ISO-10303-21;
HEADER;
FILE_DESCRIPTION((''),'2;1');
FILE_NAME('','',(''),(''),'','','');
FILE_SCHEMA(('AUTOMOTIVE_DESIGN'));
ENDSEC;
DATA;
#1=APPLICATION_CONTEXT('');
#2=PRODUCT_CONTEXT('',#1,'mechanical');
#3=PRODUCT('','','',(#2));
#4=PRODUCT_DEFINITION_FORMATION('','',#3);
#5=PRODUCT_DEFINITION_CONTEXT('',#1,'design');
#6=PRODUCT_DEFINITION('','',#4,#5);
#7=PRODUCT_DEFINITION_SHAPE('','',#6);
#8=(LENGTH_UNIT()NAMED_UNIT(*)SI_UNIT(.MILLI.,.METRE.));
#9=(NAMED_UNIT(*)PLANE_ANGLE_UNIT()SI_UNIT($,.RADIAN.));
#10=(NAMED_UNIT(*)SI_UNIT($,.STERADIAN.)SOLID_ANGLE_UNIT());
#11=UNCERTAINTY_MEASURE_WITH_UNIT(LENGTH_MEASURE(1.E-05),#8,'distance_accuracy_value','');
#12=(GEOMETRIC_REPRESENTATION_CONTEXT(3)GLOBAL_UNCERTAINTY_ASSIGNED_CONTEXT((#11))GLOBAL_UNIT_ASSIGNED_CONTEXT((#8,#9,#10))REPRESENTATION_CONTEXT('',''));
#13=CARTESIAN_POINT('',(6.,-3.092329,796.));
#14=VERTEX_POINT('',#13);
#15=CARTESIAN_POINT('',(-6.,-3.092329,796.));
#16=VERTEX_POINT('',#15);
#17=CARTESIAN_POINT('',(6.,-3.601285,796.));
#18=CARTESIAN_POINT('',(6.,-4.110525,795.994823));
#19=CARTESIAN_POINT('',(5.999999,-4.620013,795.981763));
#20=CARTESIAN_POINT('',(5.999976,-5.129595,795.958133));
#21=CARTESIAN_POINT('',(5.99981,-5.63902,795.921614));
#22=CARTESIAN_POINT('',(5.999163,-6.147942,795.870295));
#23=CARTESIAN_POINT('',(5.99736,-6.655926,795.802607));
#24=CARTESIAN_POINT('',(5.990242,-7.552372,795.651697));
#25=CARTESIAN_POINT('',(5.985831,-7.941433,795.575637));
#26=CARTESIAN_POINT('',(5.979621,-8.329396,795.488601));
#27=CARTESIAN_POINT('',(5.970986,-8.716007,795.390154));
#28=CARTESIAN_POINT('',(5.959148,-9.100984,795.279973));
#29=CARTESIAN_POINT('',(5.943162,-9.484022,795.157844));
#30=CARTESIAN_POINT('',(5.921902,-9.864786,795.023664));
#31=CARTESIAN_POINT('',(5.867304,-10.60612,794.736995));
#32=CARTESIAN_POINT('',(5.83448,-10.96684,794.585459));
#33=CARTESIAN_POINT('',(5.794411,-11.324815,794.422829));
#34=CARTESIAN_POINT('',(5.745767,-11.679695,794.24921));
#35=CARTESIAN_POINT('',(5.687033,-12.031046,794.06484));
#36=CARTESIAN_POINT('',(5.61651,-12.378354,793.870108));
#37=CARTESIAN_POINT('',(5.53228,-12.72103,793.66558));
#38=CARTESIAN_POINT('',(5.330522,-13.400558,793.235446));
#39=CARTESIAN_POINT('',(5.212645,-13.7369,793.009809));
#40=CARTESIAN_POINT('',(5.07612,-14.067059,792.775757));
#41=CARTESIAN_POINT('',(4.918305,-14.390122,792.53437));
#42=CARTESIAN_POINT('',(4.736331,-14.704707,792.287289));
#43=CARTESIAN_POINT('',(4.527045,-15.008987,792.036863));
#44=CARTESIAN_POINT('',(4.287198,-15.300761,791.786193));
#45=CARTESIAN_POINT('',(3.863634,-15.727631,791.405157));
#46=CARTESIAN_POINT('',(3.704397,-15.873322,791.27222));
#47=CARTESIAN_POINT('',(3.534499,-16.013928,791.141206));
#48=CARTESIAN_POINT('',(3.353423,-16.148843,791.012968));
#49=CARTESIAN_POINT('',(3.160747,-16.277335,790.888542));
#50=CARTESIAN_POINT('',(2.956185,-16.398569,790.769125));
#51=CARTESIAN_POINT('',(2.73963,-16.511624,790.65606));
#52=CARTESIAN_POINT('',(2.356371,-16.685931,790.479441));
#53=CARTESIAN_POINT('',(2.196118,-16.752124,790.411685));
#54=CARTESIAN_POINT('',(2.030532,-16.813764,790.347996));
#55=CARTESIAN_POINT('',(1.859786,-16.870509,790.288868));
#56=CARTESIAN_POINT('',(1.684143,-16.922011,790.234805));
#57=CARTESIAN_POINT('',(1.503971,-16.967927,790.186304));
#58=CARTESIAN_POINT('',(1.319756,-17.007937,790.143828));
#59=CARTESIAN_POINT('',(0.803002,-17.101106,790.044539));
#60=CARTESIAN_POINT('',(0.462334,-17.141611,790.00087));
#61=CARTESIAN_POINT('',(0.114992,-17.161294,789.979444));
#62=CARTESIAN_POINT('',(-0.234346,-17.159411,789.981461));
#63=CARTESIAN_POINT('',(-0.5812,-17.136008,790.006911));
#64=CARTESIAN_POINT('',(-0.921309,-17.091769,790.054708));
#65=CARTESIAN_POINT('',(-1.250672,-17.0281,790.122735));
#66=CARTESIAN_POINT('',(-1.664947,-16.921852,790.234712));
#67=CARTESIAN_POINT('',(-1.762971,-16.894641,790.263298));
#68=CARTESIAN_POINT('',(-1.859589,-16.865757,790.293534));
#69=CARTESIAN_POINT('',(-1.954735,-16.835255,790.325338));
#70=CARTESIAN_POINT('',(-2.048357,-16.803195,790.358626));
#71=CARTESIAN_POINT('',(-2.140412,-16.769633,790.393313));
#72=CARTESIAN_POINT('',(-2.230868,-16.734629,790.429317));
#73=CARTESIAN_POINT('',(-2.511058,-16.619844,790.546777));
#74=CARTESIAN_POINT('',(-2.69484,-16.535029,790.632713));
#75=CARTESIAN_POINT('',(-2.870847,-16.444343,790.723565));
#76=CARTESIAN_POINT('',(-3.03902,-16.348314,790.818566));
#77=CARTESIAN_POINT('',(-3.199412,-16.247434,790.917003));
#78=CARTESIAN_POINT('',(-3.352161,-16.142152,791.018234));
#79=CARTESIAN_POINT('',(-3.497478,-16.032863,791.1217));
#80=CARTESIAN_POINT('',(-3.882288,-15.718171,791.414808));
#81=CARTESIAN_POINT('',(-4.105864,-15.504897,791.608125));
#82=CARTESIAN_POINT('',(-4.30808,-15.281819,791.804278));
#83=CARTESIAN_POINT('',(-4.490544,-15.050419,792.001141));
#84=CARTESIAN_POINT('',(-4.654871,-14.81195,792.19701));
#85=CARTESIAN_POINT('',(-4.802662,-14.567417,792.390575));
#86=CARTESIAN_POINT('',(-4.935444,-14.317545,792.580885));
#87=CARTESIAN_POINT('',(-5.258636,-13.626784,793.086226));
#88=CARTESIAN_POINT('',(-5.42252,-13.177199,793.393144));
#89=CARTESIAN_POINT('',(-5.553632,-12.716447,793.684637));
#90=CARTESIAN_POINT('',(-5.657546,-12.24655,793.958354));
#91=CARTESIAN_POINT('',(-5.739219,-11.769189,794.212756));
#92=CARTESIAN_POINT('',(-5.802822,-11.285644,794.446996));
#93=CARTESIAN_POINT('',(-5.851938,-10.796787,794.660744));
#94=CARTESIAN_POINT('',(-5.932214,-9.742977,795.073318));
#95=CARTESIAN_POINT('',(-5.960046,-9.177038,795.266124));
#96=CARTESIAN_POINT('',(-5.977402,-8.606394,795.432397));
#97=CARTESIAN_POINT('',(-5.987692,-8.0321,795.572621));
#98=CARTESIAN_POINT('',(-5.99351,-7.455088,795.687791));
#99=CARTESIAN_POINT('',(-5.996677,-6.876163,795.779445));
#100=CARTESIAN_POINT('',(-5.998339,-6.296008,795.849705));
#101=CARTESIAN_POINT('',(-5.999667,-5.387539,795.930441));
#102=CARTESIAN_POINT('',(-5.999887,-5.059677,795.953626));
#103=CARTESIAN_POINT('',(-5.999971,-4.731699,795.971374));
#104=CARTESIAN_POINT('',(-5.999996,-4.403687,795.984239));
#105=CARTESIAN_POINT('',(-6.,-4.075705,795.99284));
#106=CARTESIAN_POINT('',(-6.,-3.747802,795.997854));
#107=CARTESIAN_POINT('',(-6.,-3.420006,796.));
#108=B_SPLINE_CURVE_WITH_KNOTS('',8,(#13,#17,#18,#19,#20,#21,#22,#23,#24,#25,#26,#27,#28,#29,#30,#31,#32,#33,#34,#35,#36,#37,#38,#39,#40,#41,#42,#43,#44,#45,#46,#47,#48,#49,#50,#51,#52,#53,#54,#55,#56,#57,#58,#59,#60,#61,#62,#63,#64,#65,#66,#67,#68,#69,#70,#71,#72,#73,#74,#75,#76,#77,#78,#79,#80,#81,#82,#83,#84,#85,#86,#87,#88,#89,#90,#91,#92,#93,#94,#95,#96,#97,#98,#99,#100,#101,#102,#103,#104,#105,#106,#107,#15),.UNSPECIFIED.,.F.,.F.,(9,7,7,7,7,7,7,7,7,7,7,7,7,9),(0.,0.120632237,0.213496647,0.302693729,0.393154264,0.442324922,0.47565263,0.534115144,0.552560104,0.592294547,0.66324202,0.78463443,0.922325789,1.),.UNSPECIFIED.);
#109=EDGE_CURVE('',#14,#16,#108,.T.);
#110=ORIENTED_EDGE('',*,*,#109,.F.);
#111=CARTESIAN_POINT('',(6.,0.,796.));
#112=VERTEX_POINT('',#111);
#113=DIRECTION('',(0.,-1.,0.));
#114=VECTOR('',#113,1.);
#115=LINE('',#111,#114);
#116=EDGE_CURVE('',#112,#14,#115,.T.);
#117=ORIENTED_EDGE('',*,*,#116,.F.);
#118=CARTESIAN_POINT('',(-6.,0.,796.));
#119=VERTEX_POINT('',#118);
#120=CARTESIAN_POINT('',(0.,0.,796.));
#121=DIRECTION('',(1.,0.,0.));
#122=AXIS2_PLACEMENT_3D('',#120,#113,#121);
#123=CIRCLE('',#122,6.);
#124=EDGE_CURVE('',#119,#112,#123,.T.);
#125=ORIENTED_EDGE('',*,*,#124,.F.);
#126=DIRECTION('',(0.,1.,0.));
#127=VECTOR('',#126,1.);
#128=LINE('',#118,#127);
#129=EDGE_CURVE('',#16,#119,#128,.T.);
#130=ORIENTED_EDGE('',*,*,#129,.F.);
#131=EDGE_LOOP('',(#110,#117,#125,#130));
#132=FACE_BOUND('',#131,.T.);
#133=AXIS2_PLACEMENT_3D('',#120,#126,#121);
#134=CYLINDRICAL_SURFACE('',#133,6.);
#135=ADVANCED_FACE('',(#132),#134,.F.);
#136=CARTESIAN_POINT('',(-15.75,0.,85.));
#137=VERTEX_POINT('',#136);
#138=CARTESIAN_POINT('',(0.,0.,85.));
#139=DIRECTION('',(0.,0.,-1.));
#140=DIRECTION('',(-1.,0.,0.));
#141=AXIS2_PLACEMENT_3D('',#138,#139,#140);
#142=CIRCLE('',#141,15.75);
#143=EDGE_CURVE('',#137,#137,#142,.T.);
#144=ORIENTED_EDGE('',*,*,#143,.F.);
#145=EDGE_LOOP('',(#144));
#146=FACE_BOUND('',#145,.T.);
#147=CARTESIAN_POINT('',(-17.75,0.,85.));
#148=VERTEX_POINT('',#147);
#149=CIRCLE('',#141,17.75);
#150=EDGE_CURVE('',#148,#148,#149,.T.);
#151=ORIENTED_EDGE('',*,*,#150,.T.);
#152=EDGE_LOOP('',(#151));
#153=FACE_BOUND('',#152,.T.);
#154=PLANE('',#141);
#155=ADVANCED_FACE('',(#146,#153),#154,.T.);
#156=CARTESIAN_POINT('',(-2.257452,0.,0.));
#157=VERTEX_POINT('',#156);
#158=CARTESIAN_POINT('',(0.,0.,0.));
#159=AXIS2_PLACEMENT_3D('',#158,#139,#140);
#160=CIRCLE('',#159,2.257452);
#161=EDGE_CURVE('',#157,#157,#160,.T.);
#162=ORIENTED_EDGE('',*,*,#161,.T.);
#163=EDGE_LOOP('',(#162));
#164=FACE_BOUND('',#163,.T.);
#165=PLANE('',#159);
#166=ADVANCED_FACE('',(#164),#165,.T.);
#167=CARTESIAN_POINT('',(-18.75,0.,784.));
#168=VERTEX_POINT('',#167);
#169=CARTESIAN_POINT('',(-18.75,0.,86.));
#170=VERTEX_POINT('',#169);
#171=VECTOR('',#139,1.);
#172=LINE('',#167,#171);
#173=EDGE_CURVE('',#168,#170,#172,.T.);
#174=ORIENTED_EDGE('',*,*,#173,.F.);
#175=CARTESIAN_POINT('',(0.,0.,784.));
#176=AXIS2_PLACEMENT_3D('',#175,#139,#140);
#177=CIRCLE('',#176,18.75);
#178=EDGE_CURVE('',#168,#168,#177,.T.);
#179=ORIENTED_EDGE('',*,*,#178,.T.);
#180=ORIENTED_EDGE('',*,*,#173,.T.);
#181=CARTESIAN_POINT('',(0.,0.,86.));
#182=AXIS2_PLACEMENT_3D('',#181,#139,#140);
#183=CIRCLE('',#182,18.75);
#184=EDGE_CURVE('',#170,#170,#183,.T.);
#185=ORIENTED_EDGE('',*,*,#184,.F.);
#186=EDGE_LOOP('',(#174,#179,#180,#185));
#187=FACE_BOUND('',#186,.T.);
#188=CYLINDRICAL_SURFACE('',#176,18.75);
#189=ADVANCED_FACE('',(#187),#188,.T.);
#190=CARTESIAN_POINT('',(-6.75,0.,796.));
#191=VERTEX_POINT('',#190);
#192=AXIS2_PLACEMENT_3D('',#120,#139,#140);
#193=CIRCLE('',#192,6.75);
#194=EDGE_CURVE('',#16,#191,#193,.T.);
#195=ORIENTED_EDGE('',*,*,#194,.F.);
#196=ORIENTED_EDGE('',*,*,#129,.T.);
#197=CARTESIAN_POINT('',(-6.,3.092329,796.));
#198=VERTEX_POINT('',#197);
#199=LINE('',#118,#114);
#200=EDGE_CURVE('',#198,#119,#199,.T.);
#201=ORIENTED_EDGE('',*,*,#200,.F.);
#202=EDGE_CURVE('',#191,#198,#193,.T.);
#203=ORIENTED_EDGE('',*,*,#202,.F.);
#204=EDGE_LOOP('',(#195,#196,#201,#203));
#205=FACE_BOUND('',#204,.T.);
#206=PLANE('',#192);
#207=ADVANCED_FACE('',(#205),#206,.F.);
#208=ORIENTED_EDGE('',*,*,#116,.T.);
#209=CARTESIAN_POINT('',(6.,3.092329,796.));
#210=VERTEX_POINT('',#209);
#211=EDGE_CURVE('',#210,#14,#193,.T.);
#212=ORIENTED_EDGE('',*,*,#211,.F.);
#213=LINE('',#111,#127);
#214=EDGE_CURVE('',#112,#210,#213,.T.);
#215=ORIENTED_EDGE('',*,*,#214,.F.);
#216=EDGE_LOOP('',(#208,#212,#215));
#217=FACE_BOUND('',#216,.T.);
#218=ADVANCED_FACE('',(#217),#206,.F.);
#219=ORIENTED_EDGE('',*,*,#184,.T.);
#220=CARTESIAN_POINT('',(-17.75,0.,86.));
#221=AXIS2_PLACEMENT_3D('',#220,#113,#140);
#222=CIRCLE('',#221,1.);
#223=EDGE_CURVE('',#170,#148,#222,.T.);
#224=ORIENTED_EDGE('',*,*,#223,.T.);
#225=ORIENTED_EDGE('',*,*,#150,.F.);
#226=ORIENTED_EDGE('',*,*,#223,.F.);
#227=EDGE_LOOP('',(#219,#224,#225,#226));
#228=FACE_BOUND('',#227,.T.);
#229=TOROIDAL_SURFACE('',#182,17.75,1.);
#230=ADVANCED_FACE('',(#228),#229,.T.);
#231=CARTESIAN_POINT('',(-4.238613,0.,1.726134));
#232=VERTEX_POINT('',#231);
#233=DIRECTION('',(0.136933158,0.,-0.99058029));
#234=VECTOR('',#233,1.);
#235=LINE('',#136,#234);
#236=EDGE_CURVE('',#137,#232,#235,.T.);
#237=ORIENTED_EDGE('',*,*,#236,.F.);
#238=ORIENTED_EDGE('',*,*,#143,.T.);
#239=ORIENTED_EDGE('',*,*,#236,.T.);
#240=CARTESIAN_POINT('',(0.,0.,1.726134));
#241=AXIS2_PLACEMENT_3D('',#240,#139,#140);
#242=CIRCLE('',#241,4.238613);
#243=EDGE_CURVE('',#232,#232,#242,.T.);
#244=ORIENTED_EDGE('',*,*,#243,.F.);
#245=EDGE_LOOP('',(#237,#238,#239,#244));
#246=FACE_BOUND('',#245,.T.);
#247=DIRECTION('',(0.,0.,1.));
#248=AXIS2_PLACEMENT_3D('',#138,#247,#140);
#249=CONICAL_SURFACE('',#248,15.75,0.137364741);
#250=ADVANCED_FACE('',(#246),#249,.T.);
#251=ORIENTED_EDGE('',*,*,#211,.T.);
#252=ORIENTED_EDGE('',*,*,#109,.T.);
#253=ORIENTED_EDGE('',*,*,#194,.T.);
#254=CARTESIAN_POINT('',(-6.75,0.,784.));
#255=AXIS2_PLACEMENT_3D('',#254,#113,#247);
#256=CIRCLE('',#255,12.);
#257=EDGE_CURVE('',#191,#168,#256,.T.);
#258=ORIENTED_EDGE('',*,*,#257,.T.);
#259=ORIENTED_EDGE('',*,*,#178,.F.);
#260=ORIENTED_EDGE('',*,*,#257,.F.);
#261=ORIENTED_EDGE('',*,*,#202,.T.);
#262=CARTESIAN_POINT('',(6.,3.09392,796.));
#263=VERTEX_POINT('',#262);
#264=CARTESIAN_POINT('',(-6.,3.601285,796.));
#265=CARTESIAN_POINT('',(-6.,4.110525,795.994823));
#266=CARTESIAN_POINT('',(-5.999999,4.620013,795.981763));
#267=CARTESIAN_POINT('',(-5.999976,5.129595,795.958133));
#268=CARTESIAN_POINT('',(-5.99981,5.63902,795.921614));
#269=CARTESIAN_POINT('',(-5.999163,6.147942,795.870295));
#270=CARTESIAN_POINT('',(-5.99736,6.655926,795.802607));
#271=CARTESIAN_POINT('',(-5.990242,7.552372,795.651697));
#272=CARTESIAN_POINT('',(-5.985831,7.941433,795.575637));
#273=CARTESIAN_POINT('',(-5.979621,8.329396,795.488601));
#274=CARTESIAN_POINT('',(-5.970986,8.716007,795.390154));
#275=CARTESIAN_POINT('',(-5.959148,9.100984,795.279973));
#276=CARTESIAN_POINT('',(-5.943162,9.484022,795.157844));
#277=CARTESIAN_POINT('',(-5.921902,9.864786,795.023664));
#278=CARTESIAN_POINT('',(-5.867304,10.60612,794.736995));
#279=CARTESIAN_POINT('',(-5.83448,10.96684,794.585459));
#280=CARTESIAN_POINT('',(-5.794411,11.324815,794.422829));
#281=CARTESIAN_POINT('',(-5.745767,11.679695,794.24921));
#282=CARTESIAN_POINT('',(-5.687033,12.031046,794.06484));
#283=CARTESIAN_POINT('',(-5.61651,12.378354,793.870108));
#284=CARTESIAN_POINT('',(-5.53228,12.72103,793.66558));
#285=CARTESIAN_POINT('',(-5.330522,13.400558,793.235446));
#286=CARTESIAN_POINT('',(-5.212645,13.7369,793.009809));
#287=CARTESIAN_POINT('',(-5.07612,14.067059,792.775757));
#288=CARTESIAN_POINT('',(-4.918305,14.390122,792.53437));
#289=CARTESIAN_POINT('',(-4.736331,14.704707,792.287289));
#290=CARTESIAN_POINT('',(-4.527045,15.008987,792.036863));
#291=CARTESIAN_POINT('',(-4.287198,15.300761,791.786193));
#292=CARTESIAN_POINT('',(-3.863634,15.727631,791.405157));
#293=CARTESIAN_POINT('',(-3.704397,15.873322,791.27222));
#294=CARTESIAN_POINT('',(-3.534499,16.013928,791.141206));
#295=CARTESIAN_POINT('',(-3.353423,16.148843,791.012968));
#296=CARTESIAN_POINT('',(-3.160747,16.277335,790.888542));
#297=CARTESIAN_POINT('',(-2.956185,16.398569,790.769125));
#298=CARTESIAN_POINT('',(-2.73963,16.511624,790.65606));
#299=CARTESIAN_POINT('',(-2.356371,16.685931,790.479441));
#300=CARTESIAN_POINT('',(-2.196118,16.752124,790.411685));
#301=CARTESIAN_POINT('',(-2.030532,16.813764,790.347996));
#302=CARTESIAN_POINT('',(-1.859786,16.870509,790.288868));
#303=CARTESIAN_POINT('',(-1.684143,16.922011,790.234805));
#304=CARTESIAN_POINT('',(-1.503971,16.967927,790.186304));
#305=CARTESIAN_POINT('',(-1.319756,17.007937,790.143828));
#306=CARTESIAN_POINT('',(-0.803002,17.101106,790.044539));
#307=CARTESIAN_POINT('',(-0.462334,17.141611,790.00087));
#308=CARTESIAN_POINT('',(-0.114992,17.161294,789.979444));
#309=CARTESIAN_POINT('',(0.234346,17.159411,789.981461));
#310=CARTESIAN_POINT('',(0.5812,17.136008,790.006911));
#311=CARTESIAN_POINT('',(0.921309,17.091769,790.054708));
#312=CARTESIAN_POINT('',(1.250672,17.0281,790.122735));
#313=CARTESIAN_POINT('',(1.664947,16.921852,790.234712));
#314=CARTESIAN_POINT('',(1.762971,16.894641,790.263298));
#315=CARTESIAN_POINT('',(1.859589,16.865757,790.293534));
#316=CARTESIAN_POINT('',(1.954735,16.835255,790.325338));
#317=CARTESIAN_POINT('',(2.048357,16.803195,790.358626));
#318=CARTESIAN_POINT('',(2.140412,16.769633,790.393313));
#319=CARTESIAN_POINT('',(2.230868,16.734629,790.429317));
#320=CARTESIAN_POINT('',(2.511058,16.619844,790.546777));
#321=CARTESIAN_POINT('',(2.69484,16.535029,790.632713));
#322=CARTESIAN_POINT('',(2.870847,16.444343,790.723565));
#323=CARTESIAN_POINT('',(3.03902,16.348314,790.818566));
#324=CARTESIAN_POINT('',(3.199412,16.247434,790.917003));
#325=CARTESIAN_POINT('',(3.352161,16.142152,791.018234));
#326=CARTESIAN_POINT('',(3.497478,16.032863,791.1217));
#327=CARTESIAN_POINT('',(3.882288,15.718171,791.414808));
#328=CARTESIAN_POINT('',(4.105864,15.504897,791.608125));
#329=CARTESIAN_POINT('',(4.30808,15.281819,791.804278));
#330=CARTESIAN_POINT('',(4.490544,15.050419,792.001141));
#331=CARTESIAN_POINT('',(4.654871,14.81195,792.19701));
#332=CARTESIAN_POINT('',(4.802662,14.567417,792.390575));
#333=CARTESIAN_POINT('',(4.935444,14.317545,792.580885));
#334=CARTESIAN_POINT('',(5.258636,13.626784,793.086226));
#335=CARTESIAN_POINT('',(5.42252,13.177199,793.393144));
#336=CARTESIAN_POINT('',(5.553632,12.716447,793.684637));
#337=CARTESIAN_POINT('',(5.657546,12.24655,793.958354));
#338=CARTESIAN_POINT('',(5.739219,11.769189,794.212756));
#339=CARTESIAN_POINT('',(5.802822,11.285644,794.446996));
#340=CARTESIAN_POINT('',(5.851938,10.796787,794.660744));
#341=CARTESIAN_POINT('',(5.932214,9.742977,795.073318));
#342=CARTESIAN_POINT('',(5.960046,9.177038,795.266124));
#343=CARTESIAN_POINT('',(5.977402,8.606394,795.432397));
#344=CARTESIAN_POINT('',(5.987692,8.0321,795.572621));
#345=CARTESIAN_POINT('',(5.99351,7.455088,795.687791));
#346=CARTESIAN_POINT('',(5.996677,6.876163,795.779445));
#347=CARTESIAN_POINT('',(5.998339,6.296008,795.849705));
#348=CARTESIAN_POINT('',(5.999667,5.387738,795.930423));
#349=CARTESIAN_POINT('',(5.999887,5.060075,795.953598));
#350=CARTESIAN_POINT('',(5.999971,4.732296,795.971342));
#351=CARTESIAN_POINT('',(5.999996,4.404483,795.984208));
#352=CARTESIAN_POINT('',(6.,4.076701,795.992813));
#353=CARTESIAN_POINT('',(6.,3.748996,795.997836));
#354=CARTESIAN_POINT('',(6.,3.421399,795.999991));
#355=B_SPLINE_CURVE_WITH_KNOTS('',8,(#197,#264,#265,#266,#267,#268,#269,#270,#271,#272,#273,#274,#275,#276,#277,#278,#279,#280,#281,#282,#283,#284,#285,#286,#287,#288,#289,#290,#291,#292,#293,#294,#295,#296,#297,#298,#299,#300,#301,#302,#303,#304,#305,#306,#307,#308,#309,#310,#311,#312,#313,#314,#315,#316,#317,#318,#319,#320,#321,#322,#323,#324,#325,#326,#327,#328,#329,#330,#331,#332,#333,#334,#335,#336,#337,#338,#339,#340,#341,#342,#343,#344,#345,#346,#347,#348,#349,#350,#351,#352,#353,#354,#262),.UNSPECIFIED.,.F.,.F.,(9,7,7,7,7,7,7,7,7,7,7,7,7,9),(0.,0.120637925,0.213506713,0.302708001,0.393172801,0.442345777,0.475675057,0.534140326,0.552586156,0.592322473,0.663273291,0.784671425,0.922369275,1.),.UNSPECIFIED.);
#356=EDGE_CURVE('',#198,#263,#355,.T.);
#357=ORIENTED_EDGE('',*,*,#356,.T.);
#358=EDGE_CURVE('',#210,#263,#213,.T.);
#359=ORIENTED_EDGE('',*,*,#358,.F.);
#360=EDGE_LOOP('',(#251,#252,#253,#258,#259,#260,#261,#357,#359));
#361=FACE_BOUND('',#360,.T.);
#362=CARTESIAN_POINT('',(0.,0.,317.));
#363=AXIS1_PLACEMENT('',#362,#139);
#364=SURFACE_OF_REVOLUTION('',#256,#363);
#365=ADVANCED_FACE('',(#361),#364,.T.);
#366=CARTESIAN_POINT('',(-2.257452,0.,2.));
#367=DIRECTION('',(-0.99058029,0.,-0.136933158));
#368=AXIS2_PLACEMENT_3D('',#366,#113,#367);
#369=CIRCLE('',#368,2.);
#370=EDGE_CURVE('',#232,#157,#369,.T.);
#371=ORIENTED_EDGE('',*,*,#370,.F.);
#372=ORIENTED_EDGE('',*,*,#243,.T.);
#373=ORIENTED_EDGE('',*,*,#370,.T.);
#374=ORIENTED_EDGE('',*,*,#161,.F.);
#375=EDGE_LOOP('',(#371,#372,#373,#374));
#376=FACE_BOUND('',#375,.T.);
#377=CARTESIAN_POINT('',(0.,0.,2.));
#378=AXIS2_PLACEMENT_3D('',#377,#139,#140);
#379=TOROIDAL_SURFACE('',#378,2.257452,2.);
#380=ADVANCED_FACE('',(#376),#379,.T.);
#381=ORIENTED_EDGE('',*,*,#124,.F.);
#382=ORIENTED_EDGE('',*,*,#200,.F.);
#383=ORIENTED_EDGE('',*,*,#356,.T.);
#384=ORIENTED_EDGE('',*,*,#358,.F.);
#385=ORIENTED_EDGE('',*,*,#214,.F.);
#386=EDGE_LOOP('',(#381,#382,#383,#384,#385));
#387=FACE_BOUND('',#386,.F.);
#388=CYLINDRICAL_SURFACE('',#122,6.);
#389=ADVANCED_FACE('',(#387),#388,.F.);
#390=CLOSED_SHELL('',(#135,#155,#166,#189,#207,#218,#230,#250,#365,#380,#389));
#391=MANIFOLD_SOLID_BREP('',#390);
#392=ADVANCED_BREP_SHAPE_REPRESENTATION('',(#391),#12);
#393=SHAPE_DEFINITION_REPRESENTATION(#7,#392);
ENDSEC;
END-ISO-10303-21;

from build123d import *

# Parameters (mm, degrees)
F2_R          = 6
F3_DEPTH      = 25
F3_DEPTH_BACK = 25


with BuildPart() as f1:
    # F0 (on Front) → F1 (revolve)
    with BuildSketch(Plane.XZ):
        with BuildLine():
            Line((-18.75, 784), (-18.75, 768))
            Line((-18.75, 768), (-18.75, 86))
            ThreePointArc((-18.75, 86), (-18.4571067812, 85.2928932188), (-17.75, 85))
            Line((-17.75, 85), (-15.75, 85))
            Line((-15.75, 85), (-4.2386125976, 1.7261336846))
            ThreePointArc((-4.2386125976, 1.7261336846), (-3.5712760873, 0.4920655467), (-2.2574520182, 0))
            Line((-2.2574520182, 0), (0, 0))
            Line((0, 0), (0, 634))
            Line((0, 634), (0, 796))
            Line((0, 796), (-6.75, 796))
            ThreePointArc((-6.75, 796), (-15.2352813742, 792.4852813742), (-18.75, 784))
        make_face()
    revolve(axis=Axis((0, 0, 317), (0, 0, -1)))

    # F2 (on Front) → F3 (cut, two sides)
    with BuildSketch(Plane.XZ) as f3_sk:
        with Locations((0, 796)):
            Circle(F2_R)
    extrude(amount=-F3_DEPTH, mode=Mode.SUBTRACT)
    extrude(f3_sk.sketch, amount=F3_DEPTH_BACK, mode=Mode.SUBTRACT)


solid = f1.part
